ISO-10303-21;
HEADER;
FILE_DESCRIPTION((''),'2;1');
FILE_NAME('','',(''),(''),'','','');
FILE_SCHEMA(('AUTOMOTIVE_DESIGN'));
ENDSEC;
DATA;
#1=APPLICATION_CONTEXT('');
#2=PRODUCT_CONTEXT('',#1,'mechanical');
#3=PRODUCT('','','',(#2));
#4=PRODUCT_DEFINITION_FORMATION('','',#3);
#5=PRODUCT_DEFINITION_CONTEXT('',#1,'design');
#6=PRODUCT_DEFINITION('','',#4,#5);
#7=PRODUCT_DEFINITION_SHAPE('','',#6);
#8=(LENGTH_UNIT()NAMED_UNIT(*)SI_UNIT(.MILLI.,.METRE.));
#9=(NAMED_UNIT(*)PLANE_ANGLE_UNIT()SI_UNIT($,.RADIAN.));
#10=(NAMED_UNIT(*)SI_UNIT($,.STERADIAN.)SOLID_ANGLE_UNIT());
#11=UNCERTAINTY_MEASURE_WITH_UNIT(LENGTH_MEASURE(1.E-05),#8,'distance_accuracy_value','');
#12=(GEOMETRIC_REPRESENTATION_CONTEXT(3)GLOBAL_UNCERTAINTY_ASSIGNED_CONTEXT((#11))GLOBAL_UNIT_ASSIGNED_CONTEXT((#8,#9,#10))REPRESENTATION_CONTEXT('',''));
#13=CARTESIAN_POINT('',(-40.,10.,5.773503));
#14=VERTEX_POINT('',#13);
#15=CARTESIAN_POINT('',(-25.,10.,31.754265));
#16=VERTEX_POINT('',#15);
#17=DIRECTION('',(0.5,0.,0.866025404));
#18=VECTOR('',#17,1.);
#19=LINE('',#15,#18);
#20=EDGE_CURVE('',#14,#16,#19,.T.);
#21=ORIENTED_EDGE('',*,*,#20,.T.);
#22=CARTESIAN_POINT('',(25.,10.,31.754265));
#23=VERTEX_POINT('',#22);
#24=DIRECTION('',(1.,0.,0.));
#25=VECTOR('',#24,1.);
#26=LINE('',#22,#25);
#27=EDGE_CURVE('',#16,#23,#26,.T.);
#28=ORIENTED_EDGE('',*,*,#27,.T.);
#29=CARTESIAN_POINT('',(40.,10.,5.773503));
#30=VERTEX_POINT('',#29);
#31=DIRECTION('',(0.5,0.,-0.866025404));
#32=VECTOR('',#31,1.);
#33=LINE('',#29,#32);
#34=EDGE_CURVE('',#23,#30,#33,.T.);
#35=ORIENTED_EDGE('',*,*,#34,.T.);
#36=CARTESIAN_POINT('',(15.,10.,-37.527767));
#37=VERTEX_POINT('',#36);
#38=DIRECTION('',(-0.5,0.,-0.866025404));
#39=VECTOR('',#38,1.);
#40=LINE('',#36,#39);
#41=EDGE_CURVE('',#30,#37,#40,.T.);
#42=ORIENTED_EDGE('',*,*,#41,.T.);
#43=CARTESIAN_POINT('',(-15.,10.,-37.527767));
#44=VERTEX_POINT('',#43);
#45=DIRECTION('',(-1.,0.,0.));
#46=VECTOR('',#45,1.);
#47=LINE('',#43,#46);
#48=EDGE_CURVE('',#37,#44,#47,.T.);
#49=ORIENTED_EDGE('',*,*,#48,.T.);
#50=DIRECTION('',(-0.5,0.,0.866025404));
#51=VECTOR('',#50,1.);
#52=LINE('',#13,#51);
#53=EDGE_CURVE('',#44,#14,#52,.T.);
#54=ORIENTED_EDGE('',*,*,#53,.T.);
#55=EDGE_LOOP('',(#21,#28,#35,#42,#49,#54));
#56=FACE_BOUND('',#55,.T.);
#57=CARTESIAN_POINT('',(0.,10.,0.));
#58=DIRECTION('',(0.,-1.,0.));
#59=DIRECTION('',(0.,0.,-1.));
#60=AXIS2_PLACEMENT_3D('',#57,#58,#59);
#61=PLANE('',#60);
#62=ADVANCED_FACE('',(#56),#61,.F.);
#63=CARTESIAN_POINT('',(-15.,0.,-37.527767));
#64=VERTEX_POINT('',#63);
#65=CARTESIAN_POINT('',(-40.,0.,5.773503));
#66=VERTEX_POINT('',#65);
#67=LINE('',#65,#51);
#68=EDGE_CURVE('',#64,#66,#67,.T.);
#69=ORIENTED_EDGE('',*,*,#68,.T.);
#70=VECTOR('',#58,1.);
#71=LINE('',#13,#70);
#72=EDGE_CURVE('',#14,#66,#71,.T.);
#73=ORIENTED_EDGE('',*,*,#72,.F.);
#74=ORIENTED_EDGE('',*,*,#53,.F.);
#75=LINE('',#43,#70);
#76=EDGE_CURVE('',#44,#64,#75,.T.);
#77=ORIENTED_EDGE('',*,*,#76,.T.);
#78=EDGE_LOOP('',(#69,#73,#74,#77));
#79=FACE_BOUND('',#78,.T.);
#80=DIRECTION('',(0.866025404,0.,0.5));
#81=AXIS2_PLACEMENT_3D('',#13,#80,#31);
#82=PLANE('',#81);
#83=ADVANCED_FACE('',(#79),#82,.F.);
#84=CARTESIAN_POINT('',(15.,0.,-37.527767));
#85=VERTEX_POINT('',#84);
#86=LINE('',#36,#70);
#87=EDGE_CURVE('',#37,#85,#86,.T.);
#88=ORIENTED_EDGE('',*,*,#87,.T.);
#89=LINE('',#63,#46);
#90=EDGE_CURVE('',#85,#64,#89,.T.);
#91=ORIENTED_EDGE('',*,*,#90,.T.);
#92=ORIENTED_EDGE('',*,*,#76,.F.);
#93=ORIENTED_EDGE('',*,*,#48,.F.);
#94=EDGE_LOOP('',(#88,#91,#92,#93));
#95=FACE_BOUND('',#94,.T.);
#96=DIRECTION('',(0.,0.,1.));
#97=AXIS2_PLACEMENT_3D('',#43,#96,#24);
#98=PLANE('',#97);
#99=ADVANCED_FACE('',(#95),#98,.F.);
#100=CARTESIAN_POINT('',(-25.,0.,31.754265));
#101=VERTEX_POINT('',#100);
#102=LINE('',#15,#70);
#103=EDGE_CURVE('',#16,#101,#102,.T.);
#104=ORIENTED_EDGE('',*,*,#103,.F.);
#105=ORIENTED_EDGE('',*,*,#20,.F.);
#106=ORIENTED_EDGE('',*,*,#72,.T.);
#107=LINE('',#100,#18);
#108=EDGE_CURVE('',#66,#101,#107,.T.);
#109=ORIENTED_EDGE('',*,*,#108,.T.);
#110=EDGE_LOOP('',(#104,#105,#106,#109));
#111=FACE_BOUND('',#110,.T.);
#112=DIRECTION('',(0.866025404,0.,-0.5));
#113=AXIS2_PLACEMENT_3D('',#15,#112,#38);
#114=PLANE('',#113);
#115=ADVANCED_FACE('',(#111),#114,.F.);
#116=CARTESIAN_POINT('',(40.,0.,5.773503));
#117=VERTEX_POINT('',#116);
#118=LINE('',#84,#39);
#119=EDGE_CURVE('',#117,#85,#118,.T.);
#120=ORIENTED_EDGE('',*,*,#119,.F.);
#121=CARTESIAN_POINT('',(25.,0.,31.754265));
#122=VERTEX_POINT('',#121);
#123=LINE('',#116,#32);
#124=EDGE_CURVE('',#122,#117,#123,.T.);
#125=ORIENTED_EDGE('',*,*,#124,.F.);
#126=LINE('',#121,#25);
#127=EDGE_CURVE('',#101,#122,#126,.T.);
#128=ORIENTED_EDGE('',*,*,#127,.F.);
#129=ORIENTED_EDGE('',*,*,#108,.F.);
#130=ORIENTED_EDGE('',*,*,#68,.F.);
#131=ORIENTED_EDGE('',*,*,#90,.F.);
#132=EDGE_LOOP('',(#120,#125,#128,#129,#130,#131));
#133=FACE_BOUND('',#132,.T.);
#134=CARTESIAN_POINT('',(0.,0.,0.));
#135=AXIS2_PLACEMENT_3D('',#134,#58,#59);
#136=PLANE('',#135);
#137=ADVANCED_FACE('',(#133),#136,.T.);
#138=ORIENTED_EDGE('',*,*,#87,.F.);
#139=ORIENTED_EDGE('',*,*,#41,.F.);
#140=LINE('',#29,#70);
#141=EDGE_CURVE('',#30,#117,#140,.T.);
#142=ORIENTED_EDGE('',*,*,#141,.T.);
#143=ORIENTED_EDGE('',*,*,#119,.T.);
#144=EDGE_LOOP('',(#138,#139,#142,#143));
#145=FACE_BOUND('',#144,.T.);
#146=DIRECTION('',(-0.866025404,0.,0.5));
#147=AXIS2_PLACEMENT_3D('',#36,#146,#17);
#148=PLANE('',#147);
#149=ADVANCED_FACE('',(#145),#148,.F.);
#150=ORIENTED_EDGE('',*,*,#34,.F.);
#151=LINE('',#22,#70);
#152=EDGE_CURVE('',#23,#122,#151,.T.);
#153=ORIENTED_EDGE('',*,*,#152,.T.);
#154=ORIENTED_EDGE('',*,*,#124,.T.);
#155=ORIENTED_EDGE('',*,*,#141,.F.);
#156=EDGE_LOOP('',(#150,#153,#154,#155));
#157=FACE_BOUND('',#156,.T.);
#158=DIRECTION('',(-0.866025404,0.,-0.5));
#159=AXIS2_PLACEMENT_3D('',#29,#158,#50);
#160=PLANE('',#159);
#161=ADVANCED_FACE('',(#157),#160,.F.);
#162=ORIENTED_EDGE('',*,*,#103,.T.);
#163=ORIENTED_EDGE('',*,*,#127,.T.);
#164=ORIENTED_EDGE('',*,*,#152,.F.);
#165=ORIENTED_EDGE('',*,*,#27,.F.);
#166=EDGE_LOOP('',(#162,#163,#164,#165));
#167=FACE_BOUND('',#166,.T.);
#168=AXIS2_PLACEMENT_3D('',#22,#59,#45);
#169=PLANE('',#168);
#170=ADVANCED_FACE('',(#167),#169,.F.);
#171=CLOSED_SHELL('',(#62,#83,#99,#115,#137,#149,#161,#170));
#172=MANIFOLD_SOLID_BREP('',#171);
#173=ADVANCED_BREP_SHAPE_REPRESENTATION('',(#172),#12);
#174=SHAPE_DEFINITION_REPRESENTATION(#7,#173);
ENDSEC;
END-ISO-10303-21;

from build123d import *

# Parameters (mm, degrees)
EXTRUDE_1_DEPTH = 10


with BuildPart() as part:
    # 草图1 → 凸台-拉伸1 (new body)
    with BuildSketch(Plane(origin=(0, 0, 0), x_dir=(1, 0, 0), z_dir=(0, 1, 0))):
        Polygon((-15, 37.527767497), (15, 37.527767497), (40, -5.773502692), (25, -31.754264805), (-25, -31.754264805), (-40, -5.773502692), align=None)
    extrude(amount=EXTRUDE_1_DEPTH)


solid = part.part
